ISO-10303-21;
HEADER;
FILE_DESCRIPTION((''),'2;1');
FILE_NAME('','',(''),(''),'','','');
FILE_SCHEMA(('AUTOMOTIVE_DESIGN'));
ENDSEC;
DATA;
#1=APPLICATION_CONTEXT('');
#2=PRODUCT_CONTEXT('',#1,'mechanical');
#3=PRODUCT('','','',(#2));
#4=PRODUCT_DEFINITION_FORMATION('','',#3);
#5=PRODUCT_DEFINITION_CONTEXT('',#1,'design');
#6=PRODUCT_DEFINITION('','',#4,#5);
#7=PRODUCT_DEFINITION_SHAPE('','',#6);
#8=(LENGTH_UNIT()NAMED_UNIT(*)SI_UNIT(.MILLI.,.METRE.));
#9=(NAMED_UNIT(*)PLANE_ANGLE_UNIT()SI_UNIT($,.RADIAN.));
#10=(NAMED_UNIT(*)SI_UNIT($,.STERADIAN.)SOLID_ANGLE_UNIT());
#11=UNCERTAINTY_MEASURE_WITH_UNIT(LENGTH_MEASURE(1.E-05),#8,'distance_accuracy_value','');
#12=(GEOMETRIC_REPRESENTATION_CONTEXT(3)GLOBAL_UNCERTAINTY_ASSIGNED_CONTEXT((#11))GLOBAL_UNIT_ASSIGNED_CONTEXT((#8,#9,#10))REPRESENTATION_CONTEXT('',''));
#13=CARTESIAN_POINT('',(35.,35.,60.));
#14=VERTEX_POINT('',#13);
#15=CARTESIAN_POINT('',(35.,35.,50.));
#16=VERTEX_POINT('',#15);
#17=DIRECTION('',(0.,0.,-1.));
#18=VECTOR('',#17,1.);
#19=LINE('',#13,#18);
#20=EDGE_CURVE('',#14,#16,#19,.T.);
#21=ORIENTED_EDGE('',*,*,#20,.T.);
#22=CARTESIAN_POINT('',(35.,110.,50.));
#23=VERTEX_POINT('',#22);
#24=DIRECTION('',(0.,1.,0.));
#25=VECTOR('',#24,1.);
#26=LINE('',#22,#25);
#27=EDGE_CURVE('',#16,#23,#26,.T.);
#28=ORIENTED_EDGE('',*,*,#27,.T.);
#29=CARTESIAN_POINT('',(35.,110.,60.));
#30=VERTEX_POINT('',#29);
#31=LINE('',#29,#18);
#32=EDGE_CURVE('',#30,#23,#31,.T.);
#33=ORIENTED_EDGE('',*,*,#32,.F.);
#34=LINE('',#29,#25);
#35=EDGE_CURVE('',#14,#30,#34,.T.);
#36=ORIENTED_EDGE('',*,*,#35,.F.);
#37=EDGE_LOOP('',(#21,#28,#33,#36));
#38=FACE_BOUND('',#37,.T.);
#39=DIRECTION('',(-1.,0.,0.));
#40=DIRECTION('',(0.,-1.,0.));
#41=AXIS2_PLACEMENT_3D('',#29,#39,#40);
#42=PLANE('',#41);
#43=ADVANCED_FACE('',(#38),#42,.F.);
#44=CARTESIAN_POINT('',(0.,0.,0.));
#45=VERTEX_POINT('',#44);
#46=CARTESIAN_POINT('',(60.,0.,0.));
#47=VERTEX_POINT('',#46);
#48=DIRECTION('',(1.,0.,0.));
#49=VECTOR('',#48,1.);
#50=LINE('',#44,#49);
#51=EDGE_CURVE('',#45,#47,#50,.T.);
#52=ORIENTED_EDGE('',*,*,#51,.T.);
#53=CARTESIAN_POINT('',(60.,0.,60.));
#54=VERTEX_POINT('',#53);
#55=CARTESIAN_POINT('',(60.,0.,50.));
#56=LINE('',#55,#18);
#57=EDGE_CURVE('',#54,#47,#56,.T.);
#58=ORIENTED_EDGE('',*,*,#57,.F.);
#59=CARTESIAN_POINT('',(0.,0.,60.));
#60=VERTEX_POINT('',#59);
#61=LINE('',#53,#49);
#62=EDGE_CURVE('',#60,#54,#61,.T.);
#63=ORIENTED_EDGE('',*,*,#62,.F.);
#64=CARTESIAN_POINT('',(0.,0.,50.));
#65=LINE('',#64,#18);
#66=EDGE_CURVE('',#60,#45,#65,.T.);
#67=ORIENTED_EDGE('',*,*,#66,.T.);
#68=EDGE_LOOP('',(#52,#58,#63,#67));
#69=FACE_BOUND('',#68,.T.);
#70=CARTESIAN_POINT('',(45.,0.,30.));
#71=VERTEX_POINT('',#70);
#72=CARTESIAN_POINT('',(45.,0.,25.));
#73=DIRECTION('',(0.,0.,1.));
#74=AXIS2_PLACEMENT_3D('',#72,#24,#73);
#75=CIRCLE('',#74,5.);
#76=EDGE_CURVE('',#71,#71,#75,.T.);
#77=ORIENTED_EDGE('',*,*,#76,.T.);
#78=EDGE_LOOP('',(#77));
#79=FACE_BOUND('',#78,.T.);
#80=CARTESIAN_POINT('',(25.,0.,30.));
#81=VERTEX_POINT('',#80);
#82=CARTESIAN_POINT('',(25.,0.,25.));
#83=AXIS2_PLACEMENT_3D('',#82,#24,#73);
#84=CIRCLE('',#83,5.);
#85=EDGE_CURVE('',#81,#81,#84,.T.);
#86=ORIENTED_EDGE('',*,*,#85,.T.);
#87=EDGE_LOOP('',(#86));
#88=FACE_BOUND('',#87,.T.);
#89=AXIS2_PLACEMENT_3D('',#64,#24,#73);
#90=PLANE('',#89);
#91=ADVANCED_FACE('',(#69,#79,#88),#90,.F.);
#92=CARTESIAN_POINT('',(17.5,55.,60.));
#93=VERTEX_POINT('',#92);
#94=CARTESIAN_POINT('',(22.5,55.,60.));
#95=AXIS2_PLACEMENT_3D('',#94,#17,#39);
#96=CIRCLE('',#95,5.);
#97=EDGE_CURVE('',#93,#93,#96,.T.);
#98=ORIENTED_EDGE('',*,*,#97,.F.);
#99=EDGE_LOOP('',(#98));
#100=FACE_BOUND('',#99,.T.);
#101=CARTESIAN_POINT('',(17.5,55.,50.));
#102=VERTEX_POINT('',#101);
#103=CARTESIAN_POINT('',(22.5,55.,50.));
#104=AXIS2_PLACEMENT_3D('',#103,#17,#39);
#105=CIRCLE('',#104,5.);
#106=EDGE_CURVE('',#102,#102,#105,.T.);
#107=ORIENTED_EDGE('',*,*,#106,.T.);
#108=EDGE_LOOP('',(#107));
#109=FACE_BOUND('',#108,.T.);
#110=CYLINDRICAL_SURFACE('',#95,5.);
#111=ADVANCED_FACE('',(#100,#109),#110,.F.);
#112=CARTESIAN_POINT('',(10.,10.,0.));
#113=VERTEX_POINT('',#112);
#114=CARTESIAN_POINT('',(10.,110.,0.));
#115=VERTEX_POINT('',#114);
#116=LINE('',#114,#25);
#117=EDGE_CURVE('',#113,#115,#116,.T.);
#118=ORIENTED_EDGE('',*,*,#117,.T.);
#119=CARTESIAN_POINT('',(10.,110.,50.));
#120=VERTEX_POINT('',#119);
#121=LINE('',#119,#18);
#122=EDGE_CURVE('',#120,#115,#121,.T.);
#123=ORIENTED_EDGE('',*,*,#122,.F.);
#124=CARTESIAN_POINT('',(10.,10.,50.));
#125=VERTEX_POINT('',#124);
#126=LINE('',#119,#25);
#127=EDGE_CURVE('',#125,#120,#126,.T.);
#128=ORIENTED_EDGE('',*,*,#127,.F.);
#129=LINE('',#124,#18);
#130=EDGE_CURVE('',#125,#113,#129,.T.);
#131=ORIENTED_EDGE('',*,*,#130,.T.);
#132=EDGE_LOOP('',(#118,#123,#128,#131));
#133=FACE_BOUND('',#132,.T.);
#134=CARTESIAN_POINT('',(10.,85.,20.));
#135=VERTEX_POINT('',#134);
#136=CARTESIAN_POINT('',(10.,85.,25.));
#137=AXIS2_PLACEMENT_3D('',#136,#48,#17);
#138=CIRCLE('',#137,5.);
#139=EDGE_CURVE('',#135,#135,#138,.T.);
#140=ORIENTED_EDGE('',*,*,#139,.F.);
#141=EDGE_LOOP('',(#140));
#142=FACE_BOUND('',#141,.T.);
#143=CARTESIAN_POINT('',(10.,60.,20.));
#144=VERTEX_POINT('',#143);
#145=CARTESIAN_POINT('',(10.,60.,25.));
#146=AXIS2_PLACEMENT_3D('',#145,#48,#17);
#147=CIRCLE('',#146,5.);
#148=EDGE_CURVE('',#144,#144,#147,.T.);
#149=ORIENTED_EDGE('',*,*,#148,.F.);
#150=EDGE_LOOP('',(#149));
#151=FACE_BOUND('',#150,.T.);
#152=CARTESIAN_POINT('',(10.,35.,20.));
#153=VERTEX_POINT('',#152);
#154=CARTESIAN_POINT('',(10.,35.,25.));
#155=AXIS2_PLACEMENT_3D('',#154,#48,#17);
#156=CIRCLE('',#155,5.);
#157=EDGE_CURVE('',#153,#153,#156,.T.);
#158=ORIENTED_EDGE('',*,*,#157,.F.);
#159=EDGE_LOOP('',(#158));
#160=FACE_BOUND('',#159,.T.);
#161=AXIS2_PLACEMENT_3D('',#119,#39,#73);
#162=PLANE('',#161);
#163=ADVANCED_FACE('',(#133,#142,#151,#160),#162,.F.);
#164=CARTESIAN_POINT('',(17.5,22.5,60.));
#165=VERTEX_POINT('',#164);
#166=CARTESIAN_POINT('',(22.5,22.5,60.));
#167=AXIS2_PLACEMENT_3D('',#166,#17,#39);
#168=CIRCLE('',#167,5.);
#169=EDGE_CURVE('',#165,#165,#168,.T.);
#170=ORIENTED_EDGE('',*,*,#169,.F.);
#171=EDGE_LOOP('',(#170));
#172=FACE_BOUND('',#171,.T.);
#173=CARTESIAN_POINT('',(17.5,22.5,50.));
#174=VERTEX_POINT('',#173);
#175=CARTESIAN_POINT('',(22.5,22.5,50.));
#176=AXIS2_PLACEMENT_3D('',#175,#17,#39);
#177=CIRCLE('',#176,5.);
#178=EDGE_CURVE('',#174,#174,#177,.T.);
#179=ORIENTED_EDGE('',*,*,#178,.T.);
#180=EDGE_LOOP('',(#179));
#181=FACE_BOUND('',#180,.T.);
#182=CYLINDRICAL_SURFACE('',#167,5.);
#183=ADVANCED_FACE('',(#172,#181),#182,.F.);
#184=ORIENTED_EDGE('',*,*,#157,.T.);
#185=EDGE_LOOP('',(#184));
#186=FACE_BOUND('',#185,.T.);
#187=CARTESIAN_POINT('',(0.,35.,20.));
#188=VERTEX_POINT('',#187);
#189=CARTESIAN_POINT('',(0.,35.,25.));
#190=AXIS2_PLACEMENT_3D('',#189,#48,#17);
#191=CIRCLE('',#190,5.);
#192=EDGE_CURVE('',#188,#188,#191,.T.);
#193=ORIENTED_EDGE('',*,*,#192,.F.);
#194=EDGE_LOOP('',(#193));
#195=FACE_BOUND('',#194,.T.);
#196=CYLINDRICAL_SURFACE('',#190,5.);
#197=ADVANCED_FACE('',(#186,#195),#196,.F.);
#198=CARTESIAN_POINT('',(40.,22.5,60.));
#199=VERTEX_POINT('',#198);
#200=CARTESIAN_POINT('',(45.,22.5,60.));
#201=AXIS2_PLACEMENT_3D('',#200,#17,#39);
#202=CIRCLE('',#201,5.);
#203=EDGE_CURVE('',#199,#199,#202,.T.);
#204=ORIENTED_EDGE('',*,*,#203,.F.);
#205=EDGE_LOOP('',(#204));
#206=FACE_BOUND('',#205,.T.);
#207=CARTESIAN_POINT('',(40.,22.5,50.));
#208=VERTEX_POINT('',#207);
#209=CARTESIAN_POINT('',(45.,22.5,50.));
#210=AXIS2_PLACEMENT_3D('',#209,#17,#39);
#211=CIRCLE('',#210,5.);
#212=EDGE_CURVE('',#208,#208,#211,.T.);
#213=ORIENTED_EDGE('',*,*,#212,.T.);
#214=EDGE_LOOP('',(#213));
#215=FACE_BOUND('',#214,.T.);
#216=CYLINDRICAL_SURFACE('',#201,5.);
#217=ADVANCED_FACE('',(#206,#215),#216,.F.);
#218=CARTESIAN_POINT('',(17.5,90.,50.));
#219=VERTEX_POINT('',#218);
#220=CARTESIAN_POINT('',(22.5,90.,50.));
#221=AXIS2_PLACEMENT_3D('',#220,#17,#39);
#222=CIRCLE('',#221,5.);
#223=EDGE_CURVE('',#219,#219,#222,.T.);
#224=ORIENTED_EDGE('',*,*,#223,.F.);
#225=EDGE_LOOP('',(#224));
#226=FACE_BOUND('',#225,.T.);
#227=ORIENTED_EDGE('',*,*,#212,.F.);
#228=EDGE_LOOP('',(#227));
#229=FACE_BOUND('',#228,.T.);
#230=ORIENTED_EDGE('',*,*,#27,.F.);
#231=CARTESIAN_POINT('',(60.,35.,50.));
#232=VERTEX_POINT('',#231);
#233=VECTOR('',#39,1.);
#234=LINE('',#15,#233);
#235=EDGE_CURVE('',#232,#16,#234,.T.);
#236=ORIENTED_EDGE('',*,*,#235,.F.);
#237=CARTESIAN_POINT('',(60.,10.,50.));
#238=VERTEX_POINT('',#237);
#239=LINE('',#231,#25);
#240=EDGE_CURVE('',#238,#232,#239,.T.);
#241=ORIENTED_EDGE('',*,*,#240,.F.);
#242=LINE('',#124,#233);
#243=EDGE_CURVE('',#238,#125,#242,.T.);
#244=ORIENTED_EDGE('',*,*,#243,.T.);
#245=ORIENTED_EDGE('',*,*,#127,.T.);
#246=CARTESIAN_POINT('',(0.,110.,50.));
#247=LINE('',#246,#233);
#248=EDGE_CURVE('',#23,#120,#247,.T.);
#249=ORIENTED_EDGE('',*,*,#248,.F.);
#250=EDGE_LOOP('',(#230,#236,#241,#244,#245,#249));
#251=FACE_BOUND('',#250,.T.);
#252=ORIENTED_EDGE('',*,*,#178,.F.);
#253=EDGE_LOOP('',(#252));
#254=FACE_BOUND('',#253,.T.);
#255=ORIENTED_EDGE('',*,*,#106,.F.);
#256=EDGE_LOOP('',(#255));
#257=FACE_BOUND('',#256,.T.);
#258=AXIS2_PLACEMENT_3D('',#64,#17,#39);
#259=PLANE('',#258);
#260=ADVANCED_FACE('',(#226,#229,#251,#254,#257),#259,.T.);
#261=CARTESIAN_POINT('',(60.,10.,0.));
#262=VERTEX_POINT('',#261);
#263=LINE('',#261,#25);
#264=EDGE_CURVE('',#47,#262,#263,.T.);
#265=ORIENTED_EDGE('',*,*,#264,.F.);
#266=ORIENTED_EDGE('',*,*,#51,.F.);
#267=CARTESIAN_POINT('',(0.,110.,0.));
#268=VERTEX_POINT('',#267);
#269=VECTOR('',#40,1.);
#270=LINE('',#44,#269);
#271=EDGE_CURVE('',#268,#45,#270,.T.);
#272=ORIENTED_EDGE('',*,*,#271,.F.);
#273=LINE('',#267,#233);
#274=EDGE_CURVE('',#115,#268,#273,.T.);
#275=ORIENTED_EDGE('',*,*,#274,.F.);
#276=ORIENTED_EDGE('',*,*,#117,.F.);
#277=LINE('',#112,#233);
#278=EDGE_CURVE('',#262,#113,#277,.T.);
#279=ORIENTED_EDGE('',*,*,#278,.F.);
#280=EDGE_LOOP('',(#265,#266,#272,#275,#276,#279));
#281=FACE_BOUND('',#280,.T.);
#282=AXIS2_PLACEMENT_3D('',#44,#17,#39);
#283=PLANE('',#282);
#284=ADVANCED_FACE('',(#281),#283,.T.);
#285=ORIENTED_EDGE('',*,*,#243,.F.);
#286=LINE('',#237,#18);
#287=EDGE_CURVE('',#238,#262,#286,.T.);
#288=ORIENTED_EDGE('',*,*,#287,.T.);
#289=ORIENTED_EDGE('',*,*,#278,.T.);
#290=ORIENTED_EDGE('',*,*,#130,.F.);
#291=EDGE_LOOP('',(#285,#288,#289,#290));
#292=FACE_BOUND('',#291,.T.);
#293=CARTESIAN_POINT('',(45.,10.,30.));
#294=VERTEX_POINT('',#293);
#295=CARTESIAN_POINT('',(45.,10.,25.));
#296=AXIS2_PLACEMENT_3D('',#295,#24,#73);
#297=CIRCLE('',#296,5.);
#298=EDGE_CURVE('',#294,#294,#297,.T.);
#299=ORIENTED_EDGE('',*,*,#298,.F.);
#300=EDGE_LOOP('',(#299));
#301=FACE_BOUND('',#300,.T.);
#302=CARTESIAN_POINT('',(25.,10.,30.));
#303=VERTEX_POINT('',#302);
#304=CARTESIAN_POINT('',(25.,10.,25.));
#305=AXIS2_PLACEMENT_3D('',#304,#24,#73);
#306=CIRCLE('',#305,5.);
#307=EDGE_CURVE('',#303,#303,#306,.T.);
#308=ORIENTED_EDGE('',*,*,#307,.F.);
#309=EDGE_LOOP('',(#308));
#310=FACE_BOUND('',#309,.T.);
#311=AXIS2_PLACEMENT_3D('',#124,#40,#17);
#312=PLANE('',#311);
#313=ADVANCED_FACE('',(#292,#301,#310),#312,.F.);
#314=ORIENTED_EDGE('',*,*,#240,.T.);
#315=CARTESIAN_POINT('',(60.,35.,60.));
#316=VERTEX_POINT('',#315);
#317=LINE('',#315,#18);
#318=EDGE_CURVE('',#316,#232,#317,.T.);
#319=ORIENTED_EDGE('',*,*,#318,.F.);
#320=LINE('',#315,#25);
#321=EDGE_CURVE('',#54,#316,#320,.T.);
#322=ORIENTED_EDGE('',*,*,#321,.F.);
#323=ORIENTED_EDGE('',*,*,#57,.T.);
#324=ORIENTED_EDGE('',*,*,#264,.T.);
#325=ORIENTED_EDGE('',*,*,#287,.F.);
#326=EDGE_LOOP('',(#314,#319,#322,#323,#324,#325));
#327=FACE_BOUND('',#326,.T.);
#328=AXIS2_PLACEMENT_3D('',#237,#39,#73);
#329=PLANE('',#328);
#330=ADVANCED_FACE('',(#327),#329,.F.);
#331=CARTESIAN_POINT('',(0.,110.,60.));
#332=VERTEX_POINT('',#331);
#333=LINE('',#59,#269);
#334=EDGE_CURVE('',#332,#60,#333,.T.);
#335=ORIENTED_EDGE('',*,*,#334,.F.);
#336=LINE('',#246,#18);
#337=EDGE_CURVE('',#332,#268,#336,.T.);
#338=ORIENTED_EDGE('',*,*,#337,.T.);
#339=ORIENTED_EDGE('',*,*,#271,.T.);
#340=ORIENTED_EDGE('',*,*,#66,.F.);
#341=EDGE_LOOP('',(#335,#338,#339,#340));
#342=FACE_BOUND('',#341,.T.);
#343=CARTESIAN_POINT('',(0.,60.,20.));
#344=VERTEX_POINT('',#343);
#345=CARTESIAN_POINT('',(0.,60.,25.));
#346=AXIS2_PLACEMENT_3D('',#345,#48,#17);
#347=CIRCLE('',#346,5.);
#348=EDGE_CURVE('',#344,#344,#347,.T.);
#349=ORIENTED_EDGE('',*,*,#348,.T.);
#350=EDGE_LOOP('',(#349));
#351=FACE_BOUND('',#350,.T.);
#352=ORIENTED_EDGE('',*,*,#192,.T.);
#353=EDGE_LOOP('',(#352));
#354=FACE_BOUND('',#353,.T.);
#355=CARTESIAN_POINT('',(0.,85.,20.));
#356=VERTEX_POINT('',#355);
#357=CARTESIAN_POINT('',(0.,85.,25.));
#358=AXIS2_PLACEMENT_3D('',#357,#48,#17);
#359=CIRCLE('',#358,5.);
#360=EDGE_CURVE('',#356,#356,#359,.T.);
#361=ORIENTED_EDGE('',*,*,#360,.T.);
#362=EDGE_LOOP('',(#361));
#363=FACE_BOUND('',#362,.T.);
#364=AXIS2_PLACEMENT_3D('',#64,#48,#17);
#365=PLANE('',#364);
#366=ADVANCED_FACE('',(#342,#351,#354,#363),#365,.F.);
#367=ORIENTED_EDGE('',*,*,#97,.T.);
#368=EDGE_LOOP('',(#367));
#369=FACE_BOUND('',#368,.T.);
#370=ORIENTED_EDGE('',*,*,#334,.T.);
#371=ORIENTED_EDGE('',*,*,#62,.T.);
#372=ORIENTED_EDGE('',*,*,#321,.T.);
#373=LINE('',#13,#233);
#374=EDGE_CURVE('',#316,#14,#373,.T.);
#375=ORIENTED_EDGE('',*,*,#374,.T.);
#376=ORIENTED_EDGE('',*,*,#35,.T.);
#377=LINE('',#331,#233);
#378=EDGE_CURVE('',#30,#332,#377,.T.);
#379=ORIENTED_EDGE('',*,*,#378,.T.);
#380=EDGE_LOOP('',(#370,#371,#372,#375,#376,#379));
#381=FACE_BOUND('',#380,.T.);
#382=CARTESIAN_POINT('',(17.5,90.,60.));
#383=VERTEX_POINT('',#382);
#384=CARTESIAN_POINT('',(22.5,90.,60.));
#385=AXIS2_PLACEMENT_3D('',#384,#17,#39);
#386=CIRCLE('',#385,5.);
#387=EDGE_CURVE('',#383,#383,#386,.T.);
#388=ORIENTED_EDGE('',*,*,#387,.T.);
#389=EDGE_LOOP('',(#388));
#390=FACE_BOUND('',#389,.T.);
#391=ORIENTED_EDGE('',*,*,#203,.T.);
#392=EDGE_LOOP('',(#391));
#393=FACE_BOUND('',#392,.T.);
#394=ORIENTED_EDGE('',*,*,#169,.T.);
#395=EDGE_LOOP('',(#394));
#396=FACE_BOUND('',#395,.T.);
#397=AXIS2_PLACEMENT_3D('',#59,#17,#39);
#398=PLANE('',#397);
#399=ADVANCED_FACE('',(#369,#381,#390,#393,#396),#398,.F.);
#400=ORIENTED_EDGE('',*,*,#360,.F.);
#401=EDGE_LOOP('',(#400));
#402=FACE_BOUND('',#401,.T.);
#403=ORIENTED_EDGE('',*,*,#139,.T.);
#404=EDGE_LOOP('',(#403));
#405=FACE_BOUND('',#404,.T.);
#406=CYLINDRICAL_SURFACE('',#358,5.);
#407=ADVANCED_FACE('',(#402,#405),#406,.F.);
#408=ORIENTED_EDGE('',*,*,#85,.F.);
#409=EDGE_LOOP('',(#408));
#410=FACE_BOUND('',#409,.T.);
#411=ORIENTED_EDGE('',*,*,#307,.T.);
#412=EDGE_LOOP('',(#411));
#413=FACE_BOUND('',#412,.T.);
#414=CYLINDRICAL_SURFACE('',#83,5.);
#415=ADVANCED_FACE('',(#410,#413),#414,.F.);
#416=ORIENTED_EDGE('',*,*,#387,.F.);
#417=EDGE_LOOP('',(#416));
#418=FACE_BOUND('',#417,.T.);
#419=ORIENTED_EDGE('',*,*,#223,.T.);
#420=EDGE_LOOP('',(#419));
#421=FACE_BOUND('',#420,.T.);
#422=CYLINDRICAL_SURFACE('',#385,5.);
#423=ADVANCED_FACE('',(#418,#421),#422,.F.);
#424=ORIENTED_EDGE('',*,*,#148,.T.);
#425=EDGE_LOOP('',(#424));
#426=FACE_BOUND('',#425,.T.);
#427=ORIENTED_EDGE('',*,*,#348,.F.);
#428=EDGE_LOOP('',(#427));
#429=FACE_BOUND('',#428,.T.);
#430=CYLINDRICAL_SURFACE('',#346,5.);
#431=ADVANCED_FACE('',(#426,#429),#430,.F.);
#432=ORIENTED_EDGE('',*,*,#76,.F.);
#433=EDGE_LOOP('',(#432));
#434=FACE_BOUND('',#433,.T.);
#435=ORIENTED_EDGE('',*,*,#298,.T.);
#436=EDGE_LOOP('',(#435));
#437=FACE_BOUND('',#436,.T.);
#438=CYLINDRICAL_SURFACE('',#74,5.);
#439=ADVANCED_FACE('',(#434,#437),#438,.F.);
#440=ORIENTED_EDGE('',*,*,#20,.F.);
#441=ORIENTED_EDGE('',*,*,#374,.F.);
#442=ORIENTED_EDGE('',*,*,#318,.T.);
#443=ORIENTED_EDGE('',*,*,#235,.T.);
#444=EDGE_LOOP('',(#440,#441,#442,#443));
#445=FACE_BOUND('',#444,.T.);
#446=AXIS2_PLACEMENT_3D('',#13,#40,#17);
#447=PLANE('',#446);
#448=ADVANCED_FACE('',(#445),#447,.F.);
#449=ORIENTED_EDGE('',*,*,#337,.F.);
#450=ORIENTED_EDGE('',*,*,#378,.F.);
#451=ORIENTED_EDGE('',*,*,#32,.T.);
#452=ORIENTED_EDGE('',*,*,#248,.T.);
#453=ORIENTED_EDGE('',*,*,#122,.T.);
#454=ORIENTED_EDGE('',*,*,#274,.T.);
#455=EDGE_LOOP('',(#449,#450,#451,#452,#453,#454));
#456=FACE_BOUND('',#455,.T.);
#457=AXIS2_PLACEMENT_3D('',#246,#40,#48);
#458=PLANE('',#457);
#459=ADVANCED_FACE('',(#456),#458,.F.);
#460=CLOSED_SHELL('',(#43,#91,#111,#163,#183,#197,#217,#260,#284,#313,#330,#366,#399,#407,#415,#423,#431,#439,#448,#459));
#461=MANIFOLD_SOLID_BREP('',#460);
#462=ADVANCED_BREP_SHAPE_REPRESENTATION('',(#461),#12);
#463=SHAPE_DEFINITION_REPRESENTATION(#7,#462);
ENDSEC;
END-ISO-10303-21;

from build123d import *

# Parameters (mm, degrees)
BOSS_EXTRUDE1_DEPTH = 50
BOSS_EXTRUDE2_DEPTH = 10
SKETCH4_R           = 5
CUT_EXTRUDE1_DEPTH  = 10
SKETCH5_R           = 5
CUT_EXTRUDE2_DEPTH  = 10
SKETCH6_R           = 5
CUT_EXTRUDE3_DEPTH  = 10


with BuildPart() as part:
    # Sketch1 → Boss-Extrude1 (new body)
    with BuildSketch(Plane.XY):
        Polygon((0, 110), (10, 110), (10, 10), (60, 10), (60, 0), (0, 0), align=None)
    extrude(amount=BOSS_EXTRUDE1_DEPTH)

    # Sketch2 → Boss-Extrude2 (add)
    with BuildSketch(Plane.XY.offset(50)):
        Polygon((0, 110), (35, 110), (35, 35), (60, 35), (60, 0), (0, 0), align=None)
    extrude(amount=BOSS_EXTRUDE2_DEPTH)

    # Sketch4 → Cut-Extrude1 (cut)
    with BuildSketch(Plane(origin=(10, 0, 0), x_dir=(0, 0, -1), z_dir=(1, 0, 0))):
        with Locations((-25, 60)):
            Circle(SKETCH4_R)
        with Locations((-25, 85)):
            Circle(SKETCH4_R)
        with Locations((-25, 35)):
            Circle(SKETCH4_R)
    extrude(amount=-CUT_EXTRUDE1_DEPTH, mode=Mode.SUBTRACT)

    # Sketch5 → Cut-Extrude2 (cut)
    with BuildSketch(Plane(origin=(0, 10, 0), x_dir=(1, 0, 0), z_dir=(0, 1, 0))):
        with Locations(Location((45, -25, 0), (0, 0, 270))):
            Circle(SKETCH5_R)
        with Locations(Location((25, -25, 0), (0, 0, 270))):
            Circle(SKETCH5_R)
    extrude(amount=-CUT_EXTRUDE2_DEPTH, mode=Mode.SUBTRACT)

    # Sketch6 → Cut-Extrude3 (cut)
    with BuildSketch(Plane(origin=(0, 0, 50), x_dir=(-1, 0, 0), z_dir=(0, 0, -1))):
        with Locations((-22.5, 22.5)):
            Circle(SKETCH6_R)
        with Locations((-22.5, 55)):
            Circle(SKETCH6_R)
        with Locations((-22.5, 90)):
            Circle(SKETCH6_R)
        with Locations((-45, 22.5)):
            Circle(SKETCH6_R)
    extrude(amount=-CUT_EXTRUDE3_DEPTH, mode=Mode.SUBTRACT)


solid = part.part
